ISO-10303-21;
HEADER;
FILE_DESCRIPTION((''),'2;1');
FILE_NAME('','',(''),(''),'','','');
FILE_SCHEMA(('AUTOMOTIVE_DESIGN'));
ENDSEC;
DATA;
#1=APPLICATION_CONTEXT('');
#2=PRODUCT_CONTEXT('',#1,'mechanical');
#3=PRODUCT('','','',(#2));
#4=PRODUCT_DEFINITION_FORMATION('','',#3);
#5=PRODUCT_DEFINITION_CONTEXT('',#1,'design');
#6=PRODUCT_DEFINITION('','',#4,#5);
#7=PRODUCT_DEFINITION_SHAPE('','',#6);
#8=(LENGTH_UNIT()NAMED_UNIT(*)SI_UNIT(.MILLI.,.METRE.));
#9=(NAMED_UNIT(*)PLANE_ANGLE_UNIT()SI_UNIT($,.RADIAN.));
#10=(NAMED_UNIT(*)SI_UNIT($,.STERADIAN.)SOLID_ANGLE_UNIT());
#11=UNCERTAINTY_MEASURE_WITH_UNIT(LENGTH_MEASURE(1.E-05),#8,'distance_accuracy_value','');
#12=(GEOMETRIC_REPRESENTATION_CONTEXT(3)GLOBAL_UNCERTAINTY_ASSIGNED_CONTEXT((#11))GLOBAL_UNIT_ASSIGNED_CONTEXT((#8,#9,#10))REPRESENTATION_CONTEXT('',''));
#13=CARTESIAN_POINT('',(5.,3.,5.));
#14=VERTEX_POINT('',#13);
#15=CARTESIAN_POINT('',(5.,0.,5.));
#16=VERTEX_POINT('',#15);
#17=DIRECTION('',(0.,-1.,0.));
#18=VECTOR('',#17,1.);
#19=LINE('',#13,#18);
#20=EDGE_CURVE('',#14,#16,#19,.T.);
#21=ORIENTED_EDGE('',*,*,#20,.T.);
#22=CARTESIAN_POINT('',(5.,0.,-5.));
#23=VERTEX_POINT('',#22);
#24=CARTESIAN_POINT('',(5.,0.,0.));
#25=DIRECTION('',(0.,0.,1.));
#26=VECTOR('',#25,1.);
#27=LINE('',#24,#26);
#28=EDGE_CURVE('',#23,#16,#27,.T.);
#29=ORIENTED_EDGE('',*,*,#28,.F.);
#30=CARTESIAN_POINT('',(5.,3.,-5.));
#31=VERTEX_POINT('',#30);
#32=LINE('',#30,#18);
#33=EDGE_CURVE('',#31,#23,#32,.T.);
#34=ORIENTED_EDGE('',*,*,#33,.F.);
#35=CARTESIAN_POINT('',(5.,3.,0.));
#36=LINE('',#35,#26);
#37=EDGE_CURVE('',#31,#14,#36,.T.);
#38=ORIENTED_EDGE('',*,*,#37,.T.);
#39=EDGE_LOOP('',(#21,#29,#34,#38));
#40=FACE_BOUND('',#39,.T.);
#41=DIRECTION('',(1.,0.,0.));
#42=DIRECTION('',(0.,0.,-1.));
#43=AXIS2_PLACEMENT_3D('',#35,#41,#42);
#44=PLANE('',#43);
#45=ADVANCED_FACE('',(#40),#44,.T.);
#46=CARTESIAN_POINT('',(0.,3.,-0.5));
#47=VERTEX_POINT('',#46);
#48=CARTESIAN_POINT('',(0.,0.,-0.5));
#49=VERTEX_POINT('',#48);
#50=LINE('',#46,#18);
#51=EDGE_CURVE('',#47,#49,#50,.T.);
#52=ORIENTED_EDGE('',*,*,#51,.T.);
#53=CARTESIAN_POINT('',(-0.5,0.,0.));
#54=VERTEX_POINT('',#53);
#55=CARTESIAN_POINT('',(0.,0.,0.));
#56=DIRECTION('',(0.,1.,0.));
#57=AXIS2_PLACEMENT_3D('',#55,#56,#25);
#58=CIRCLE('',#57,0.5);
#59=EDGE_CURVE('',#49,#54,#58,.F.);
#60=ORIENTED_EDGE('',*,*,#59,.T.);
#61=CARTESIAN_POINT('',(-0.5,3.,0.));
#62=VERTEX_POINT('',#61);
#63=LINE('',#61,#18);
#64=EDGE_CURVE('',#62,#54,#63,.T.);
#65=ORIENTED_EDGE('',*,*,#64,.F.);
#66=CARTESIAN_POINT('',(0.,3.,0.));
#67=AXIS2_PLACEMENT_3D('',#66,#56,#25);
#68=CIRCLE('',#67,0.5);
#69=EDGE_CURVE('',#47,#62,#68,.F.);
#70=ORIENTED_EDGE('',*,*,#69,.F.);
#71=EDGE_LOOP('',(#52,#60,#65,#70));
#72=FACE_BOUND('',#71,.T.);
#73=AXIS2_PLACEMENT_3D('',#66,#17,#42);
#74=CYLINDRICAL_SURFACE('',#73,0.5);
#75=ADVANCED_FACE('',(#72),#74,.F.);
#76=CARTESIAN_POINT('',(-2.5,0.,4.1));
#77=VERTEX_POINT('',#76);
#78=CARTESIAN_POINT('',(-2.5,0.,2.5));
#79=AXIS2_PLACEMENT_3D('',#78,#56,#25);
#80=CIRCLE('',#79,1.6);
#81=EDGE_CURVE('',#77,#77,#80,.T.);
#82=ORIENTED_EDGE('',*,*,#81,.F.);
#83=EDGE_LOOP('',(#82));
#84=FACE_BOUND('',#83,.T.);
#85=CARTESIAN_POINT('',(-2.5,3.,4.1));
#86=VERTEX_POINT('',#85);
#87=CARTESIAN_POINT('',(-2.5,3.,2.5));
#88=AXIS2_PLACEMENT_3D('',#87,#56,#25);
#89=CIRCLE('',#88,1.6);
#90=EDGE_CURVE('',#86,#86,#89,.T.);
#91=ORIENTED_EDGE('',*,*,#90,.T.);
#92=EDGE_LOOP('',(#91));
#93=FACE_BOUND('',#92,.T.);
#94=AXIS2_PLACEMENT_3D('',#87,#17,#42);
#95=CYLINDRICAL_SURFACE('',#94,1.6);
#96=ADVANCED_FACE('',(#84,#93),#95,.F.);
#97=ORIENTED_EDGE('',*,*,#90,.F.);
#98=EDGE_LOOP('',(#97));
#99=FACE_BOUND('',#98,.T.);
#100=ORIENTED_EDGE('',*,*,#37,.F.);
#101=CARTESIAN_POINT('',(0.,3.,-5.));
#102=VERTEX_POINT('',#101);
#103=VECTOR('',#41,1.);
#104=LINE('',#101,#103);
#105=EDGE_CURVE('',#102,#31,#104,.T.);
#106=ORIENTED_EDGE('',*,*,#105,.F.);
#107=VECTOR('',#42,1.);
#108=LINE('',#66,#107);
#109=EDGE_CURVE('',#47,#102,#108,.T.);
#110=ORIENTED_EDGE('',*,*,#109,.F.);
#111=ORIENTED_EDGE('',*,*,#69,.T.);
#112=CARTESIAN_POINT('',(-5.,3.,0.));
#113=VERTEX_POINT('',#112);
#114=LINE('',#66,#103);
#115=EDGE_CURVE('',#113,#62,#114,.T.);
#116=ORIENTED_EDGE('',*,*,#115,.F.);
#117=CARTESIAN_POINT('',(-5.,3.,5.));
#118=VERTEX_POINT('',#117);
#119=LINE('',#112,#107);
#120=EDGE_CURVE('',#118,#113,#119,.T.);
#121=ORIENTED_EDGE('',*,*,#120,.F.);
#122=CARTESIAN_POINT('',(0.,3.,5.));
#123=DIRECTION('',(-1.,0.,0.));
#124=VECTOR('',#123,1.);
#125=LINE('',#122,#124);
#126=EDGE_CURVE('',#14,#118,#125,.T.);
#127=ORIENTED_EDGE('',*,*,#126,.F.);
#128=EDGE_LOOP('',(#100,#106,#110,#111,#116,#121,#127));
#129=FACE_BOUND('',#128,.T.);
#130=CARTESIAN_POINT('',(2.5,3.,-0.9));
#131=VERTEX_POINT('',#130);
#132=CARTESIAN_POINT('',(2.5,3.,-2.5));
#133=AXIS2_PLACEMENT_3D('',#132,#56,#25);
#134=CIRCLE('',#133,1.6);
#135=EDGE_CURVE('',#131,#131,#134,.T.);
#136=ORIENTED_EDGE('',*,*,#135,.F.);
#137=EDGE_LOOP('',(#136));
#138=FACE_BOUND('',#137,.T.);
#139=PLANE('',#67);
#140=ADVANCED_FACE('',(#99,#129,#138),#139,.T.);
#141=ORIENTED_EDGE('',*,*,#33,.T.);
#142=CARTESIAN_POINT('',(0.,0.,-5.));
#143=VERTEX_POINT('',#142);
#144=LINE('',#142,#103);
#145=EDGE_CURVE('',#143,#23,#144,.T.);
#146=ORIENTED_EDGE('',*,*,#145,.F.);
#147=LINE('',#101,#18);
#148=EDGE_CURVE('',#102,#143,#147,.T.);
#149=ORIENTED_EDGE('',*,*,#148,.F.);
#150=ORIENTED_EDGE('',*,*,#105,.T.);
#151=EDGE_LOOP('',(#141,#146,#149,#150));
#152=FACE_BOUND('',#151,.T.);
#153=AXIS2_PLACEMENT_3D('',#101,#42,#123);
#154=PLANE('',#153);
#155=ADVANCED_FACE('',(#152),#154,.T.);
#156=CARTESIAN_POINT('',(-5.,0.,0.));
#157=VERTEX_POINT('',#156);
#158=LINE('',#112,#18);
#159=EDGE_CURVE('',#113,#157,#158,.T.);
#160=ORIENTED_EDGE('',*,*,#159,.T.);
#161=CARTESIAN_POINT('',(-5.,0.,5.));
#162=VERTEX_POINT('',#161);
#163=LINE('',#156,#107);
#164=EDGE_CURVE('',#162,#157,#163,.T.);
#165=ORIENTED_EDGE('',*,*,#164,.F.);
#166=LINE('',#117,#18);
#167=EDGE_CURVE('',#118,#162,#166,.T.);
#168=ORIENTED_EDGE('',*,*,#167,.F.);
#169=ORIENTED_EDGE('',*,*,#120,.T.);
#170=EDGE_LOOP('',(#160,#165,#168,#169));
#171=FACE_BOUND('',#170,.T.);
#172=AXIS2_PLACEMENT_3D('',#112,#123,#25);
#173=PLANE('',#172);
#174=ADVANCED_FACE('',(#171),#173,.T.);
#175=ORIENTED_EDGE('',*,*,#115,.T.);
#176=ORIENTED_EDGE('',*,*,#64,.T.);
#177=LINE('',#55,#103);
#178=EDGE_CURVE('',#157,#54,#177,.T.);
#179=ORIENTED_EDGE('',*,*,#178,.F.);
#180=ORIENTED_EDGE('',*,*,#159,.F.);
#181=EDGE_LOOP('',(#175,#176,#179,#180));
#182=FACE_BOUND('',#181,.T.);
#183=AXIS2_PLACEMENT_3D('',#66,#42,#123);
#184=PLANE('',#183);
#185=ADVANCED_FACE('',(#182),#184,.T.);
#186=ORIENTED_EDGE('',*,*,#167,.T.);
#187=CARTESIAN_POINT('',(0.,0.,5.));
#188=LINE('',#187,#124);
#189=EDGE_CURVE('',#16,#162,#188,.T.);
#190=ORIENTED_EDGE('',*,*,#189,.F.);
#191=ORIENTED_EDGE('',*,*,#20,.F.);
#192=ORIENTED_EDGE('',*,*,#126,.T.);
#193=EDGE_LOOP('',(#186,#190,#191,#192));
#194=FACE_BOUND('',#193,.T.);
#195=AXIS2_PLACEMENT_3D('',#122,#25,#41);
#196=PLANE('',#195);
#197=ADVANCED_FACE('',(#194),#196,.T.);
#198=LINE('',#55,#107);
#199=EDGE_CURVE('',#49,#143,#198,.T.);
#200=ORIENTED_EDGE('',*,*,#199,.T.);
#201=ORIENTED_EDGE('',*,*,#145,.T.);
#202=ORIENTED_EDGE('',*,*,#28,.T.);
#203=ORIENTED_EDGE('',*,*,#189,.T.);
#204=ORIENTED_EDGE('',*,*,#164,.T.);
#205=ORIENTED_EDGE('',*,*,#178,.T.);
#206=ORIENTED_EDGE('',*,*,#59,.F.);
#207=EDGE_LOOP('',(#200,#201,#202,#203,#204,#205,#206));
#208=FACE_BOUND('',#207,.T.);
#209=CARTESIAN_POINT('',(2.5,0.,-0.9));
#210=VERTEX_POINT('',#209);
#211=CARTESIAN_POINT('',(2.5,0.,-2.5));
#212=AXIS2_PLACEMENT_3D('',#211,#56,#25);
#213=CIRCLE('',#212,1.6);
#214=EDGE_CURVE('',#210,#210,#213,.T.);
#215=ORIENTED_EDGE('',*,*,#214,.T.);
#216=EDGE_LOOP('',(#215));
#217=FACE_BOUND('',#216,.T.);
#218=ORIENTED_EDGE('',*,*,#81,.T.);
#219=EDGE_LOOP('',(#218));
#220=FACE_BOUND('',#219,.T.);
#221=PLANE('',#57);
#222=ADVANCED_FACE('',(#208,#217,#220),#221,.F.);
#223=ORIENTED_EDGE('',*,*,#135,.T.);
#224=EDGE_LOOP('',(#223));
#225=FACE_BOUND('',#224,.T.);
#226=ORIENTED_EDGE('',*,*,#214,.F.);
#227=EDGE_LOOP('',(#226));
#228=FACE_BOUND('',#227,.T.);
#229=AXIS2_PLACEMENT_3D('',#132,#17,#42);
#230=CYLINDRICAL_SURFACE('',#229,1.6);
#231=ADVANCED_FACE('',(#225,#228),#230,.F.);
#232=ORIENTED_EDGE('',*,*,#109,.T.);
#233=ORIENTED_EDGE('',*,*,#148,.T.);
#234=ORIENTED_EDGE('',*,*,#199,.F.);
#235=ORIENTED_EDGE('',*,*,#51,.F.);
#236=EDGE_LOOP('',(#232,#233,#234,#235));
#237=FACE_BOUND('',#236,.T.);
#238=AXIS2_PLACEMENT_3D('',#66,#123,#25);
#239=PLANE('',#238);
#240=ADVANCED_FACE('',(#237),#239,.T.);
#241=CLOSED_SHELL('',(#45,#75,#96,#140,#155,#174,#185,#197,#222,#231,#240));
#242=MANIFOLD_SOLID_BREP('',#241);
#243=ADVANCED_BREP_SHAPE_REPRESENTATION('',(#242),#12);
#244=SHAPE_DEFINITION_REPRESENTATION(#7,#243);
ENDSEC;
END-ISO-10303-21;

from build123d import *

# Parameters (mm, degrees)
CROQUIS1_R              = 1.6
SALIENTE_EXTRUIR1_DEPTH = 3


with BuildPart() as part:
    # Croquis1 → Saliente-Extruir1 (new body)
    with BuildSketch(Plane(origin=(0, 0, 0), x_dir=(1, 0, 0), z_dir=(0, 1, 0))):
        with BuildLine():
            Line((-0.5, 0), (-5, 0))
            Line((-5, 0), (-5, -5))
            Line((-5, -5), (5, -5))
            Line((5, -5), (5, 5))
            Line((5, 5), (0, 5))
            Line((0, 5), (0, 0.5))
            ThreePointArc((0, 0.5), (0.353553391, -0.353553391), (-0.5, 0))
        make_face()
        with Locations(Location((-2.5, -2.5, 0), (0, 0, 270))):
            Circle(CROQUIS1_R, mode=Mode.SUBTRACT)
        with Locations(Location((2.5, 2.5, 0), (0, 0, 270))):
            Circle(CROQUIS1_R, mode=Mode.SUBTRACT)
    extrude(amount=SALIENTE_EXTRUIR1_DEPTH)


solid = part.part
